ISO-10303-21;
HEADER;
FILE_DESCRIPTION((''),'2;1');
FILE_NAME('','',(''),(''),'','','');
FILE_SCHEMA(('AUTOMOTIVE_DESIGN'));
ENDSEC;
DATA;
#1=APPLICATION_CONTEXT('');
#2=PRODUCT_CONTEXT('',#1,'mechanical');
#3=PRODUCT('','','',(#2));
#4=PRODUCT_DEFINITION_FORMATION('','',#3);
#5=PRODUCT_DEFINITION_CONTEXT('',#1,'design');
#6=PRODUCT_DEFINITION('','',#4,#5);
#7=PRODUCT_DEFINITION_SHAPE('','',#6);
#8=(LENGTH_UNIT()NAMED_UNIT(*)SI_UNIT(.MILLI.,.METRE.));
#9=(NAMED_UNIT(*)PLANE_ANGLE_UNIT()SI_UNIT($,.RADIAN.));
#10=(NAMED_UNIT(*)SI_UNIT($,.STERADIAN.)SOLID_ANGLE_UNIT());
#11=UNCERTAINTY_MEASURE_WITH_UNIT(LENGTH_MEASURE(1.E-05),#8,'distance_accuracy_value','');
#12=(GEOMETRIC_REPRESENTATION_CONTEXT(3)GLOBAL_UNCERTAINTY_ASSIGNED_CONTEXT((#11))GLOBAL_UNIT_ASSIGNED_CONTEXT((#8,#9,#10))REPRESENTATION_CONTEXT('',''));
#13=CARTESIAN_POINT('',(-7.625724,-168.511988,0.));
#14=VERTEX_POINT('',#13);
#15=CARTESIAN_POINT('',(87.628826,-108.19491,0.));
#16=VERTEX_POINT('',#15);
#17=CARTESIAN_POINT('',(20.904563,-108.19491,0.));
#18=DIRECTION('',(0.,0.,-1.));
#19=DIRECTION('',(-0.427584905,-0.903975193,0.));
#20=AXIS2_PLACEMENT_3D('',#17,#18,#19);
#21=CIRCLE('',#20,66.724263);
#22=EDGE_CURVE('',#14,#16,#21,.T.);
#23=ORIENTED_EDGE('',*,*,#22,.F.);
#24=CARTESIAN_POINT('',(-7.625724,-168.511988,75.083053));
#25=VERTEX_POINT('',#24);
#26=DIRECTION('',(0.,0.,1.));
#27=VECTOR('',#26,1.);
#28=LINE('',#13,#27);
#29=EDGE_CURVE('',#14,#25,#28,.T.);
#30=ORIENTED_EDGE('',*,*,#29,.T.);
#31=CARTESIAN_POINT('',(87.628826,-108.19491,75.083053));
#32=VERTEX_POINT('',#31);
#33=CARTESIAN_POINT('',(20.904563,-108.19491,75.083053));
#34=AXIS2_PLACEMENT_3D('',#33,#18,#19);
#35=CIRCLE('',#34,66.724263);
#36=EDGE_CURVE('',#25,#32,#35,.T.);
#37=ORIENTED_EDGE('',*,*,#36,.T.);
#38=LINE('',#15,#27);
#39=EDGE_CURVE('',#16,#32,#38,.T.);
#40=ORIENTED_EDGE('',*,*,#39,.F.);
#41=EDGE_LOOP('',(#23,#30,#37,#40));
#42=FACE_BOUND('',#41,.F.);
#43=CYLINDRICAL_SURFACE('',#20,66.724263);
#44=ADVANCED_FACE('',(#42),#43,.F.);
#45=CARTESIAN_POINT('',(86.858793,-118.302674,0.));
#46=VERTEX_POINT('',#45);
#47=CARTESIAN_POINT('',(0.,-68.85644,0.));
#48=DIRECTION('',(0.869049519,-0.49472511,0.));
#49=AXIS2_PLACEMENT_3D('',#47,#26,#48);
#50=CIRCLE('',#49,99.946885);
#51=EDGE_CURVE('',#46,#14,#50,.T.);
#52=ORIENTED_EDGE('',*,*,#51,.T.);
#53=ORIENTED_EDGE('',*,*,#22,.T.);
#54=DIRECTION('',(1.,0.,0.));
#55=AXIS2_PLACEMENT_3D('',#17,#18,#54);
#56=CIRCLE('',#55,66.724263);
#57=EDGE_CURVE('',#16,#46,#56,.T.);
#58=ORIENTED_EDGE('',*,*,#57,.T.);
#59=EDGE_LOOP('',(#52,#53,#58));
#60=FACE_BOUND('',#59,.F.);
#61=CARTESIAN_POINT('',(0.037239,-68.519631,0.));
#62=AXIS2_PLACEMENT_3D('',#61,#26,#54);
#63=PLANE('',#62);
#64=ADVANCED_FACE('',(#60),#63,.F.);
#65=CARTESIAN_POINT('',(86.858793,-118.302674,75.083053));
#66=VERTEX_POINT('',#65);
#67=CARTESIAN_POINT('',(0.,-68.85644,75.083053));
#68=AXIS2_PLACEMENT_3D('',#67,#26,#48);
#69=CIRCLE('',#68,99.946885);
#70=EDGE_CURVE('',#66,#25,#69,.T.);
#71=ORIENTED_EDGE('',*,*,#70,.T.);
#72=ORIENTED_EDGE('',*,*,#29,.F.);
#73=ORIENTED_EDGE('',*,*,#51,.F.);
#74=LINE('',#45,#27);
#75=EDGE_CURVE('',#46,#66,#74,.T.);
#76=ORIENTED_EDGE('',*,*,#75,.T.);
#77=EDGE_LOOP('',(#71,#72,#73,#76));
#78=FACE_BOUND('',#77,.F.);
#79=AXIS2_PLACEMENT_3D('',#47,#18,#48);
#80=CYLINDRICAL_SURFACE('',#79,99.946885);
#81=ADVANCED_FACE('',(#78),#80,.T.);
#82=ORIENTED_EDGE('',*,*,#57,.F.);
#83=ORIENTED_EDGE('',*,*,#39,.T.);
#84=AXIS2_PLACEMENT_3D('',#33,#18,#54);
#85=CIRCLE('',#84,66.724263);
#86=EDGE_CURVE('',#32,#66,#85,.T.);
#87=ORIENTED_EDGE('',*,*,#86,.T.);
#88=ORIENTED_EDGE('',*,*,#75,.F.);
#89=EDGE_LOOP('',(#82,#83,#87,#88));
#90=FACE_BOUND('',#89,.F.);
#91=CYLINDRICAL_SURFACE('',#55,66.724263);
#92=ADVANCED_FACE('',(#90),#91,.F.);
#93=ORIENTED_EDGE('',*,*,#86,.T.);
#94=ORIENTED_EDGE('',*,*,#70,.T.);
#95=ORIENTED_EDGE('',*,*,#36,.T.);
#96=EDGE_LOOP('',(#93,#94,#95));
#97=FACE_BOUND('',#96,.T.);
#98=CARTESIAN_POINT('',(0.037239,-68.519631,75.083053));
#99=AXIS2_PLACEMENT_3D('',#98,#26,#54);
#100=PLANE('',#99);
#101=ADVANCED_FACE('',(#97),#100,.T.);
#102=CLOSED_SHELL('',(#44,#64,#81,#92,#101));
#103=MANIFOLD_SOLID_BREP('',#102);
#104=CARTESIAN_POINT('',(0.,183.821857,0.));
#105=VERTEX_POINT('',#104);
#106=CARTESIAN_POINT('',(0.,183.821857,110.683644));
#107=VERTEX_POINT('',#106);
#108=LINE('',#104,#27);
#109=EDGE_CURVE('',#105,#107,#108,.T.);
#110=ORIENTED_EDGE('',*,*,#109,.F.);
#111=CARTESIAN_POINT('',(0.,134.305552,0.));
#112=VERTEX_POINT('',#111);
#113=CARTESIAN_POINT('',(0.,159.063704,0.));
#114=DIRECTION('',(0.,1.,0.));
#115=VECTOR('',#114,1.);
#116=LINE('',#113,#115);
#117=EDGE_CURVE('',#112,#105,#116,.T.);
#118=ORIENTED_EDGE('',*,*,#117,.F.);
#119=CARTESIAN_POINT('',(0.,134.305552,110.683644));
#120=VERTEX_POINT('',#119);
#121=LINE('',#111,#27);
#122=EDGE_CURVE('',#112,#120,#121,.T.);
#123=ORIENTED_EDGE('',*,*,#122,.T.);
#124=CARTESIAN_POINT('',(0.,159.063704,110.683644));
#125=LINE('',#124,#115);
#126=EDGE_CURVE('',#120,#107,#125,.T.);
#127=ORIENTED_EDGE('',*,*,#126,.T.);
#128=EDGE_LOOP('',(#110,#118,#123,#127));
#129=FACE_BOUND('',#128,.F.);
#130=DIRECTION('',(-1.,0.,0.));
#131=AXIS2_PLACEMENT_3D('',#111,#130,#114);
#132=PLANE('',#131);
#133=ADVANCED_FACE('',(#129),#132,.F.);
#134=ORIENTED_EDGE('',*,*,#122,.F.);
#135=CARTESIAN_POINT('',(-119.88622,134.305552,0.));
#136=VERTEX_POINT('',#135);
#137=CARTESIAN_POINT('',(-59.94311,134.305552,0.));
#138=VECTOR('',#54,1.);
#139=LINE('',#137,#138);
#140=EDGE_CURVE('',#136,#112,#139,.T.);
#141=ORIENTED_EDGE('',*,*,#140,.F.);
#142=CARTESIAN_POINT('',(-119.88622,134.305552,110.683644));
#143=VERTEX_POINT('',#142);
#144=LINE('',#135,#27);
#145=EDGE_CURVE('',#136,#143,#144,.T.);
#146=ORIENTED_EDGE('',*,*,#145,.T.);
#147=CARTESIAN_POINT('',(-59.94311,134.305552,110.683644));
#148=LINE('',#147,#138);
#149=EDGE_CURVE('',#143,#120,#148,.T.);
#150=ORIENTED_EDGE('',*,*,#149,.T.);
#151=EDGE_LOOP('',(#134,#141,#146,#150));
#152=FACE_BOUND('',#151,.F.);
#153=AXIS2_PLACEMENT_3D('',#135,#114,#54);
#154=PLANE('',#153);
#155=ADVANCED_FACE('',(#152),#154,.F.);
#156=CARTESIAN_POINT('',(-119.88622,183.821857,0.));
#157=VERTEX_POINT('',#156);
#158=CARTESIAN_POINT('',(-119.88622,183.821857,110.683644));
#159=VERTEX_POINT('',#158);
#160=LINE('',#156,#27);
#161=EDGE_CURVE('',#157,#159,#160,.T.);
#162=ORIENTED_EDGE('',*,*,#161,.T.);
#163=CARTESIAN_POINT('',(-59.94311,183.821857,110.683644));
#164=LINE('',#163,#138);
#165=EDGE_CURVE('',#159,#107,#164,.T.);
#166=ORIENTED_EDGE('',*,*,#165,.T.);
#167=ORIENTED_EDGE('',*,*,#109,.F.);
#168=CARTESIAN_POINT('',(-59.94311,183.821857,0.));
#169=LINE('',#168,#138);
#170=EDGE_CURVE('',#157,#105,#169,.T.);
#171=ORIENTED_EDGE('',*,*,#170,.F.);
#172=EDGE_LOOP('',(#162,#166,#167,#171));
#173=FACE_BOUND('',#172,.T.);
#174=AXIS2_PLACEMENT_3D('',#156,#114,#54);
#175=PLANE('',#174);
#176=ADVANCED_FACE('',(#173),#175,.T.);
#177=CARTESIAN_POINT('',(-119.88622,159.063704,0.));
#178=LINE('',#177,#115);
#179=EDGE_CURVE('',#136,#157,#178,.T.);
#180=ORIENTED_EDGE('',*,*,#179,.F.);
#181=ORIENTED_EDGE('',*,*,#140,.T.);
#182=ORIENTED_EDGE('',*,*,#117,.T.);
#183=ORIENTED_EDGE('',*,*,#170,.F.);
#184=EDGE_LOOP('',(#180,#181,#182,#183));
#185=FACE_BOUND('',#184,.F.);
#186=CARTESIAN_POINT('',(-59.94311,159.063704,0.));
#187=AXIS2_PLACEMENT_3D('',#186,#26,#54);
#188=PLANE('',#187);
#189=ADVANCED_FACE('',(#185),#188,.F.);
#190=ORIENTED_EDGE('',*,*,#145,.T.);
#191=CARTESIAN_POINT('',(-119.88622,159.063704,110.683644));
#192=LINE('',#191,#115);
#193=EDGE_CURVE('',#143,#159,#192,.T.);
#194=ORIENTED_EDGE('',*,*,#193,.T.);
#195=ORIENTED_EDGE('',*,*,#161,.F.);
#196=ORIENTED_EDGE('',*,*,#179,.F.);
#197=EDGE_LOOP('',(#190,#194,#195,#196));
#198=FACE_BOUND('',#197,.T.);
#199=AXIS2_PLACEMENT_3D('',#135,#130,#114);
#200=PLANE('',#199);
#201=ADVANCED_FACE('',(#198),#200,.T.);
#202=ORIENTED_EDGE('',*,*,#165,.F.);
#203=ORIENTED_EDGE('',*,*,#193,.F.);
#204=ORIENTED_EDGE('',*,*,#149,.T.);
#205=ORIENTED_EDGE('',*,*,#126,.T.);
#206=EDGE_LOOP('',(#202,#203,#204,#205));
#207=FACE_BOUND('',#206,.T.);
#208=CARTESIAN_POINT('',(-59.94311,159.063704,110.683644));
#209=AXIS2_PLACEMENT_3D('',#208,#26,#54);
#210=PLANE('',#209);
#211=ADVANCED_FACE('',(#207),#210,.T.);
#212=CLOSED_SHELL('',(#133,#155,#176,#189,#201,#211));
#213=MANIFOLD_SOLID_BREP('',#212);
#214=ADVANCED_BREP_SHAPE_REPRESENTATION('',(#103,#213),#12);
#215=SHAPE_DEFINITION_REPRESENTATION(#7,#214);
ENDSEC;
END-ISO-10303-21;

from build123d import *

# Parameters (mm, degrees)
F3_DEPTH = 75.0830527395
F4_W     = 119.8862195015
F4_H     = 49.5163053274
F5_DEPTH = 110.6836441904


with BuildPart() as f3:
    # F1 (on Top) → F3 (new body)
    with BuildSketch(Plane.XY):
        with BuildLine():
            ThreePointArc((86.8587927409, -118.30267436), (96.619474573, -94.4309796617), (99.9468854987, -68.8564404845))
            ThreePointArc((99.9468854987, -68.8564404845), (-67.9235324835, 4.4632271078), (-7.6257242735, -168.5119884996))
            ThreePointArc((-7.6257242735, -168.5119884996), (-14.7918290052, -51.8220899042), (87.6288263669, -108.1949099898))
            ThreePointArc((87.6288263669, -108.1949099898), (87.43603945, -113.2634367074), (86.8587927409, -118.30267436))
        make_face()
    extrude(amount=F3_DEPTH)


with BuildPart() as f5:
    # F4 (on Top) → F5 (new body)
    with BuildSketch(Plane.XY):
        with Locations((-59.9431097507, 159.0637043118)):
            Rectangle(F4_W, F4_H)
    extrude(amount=F5_DEPTH)


solid = Compound([f3.part, f5.part])
